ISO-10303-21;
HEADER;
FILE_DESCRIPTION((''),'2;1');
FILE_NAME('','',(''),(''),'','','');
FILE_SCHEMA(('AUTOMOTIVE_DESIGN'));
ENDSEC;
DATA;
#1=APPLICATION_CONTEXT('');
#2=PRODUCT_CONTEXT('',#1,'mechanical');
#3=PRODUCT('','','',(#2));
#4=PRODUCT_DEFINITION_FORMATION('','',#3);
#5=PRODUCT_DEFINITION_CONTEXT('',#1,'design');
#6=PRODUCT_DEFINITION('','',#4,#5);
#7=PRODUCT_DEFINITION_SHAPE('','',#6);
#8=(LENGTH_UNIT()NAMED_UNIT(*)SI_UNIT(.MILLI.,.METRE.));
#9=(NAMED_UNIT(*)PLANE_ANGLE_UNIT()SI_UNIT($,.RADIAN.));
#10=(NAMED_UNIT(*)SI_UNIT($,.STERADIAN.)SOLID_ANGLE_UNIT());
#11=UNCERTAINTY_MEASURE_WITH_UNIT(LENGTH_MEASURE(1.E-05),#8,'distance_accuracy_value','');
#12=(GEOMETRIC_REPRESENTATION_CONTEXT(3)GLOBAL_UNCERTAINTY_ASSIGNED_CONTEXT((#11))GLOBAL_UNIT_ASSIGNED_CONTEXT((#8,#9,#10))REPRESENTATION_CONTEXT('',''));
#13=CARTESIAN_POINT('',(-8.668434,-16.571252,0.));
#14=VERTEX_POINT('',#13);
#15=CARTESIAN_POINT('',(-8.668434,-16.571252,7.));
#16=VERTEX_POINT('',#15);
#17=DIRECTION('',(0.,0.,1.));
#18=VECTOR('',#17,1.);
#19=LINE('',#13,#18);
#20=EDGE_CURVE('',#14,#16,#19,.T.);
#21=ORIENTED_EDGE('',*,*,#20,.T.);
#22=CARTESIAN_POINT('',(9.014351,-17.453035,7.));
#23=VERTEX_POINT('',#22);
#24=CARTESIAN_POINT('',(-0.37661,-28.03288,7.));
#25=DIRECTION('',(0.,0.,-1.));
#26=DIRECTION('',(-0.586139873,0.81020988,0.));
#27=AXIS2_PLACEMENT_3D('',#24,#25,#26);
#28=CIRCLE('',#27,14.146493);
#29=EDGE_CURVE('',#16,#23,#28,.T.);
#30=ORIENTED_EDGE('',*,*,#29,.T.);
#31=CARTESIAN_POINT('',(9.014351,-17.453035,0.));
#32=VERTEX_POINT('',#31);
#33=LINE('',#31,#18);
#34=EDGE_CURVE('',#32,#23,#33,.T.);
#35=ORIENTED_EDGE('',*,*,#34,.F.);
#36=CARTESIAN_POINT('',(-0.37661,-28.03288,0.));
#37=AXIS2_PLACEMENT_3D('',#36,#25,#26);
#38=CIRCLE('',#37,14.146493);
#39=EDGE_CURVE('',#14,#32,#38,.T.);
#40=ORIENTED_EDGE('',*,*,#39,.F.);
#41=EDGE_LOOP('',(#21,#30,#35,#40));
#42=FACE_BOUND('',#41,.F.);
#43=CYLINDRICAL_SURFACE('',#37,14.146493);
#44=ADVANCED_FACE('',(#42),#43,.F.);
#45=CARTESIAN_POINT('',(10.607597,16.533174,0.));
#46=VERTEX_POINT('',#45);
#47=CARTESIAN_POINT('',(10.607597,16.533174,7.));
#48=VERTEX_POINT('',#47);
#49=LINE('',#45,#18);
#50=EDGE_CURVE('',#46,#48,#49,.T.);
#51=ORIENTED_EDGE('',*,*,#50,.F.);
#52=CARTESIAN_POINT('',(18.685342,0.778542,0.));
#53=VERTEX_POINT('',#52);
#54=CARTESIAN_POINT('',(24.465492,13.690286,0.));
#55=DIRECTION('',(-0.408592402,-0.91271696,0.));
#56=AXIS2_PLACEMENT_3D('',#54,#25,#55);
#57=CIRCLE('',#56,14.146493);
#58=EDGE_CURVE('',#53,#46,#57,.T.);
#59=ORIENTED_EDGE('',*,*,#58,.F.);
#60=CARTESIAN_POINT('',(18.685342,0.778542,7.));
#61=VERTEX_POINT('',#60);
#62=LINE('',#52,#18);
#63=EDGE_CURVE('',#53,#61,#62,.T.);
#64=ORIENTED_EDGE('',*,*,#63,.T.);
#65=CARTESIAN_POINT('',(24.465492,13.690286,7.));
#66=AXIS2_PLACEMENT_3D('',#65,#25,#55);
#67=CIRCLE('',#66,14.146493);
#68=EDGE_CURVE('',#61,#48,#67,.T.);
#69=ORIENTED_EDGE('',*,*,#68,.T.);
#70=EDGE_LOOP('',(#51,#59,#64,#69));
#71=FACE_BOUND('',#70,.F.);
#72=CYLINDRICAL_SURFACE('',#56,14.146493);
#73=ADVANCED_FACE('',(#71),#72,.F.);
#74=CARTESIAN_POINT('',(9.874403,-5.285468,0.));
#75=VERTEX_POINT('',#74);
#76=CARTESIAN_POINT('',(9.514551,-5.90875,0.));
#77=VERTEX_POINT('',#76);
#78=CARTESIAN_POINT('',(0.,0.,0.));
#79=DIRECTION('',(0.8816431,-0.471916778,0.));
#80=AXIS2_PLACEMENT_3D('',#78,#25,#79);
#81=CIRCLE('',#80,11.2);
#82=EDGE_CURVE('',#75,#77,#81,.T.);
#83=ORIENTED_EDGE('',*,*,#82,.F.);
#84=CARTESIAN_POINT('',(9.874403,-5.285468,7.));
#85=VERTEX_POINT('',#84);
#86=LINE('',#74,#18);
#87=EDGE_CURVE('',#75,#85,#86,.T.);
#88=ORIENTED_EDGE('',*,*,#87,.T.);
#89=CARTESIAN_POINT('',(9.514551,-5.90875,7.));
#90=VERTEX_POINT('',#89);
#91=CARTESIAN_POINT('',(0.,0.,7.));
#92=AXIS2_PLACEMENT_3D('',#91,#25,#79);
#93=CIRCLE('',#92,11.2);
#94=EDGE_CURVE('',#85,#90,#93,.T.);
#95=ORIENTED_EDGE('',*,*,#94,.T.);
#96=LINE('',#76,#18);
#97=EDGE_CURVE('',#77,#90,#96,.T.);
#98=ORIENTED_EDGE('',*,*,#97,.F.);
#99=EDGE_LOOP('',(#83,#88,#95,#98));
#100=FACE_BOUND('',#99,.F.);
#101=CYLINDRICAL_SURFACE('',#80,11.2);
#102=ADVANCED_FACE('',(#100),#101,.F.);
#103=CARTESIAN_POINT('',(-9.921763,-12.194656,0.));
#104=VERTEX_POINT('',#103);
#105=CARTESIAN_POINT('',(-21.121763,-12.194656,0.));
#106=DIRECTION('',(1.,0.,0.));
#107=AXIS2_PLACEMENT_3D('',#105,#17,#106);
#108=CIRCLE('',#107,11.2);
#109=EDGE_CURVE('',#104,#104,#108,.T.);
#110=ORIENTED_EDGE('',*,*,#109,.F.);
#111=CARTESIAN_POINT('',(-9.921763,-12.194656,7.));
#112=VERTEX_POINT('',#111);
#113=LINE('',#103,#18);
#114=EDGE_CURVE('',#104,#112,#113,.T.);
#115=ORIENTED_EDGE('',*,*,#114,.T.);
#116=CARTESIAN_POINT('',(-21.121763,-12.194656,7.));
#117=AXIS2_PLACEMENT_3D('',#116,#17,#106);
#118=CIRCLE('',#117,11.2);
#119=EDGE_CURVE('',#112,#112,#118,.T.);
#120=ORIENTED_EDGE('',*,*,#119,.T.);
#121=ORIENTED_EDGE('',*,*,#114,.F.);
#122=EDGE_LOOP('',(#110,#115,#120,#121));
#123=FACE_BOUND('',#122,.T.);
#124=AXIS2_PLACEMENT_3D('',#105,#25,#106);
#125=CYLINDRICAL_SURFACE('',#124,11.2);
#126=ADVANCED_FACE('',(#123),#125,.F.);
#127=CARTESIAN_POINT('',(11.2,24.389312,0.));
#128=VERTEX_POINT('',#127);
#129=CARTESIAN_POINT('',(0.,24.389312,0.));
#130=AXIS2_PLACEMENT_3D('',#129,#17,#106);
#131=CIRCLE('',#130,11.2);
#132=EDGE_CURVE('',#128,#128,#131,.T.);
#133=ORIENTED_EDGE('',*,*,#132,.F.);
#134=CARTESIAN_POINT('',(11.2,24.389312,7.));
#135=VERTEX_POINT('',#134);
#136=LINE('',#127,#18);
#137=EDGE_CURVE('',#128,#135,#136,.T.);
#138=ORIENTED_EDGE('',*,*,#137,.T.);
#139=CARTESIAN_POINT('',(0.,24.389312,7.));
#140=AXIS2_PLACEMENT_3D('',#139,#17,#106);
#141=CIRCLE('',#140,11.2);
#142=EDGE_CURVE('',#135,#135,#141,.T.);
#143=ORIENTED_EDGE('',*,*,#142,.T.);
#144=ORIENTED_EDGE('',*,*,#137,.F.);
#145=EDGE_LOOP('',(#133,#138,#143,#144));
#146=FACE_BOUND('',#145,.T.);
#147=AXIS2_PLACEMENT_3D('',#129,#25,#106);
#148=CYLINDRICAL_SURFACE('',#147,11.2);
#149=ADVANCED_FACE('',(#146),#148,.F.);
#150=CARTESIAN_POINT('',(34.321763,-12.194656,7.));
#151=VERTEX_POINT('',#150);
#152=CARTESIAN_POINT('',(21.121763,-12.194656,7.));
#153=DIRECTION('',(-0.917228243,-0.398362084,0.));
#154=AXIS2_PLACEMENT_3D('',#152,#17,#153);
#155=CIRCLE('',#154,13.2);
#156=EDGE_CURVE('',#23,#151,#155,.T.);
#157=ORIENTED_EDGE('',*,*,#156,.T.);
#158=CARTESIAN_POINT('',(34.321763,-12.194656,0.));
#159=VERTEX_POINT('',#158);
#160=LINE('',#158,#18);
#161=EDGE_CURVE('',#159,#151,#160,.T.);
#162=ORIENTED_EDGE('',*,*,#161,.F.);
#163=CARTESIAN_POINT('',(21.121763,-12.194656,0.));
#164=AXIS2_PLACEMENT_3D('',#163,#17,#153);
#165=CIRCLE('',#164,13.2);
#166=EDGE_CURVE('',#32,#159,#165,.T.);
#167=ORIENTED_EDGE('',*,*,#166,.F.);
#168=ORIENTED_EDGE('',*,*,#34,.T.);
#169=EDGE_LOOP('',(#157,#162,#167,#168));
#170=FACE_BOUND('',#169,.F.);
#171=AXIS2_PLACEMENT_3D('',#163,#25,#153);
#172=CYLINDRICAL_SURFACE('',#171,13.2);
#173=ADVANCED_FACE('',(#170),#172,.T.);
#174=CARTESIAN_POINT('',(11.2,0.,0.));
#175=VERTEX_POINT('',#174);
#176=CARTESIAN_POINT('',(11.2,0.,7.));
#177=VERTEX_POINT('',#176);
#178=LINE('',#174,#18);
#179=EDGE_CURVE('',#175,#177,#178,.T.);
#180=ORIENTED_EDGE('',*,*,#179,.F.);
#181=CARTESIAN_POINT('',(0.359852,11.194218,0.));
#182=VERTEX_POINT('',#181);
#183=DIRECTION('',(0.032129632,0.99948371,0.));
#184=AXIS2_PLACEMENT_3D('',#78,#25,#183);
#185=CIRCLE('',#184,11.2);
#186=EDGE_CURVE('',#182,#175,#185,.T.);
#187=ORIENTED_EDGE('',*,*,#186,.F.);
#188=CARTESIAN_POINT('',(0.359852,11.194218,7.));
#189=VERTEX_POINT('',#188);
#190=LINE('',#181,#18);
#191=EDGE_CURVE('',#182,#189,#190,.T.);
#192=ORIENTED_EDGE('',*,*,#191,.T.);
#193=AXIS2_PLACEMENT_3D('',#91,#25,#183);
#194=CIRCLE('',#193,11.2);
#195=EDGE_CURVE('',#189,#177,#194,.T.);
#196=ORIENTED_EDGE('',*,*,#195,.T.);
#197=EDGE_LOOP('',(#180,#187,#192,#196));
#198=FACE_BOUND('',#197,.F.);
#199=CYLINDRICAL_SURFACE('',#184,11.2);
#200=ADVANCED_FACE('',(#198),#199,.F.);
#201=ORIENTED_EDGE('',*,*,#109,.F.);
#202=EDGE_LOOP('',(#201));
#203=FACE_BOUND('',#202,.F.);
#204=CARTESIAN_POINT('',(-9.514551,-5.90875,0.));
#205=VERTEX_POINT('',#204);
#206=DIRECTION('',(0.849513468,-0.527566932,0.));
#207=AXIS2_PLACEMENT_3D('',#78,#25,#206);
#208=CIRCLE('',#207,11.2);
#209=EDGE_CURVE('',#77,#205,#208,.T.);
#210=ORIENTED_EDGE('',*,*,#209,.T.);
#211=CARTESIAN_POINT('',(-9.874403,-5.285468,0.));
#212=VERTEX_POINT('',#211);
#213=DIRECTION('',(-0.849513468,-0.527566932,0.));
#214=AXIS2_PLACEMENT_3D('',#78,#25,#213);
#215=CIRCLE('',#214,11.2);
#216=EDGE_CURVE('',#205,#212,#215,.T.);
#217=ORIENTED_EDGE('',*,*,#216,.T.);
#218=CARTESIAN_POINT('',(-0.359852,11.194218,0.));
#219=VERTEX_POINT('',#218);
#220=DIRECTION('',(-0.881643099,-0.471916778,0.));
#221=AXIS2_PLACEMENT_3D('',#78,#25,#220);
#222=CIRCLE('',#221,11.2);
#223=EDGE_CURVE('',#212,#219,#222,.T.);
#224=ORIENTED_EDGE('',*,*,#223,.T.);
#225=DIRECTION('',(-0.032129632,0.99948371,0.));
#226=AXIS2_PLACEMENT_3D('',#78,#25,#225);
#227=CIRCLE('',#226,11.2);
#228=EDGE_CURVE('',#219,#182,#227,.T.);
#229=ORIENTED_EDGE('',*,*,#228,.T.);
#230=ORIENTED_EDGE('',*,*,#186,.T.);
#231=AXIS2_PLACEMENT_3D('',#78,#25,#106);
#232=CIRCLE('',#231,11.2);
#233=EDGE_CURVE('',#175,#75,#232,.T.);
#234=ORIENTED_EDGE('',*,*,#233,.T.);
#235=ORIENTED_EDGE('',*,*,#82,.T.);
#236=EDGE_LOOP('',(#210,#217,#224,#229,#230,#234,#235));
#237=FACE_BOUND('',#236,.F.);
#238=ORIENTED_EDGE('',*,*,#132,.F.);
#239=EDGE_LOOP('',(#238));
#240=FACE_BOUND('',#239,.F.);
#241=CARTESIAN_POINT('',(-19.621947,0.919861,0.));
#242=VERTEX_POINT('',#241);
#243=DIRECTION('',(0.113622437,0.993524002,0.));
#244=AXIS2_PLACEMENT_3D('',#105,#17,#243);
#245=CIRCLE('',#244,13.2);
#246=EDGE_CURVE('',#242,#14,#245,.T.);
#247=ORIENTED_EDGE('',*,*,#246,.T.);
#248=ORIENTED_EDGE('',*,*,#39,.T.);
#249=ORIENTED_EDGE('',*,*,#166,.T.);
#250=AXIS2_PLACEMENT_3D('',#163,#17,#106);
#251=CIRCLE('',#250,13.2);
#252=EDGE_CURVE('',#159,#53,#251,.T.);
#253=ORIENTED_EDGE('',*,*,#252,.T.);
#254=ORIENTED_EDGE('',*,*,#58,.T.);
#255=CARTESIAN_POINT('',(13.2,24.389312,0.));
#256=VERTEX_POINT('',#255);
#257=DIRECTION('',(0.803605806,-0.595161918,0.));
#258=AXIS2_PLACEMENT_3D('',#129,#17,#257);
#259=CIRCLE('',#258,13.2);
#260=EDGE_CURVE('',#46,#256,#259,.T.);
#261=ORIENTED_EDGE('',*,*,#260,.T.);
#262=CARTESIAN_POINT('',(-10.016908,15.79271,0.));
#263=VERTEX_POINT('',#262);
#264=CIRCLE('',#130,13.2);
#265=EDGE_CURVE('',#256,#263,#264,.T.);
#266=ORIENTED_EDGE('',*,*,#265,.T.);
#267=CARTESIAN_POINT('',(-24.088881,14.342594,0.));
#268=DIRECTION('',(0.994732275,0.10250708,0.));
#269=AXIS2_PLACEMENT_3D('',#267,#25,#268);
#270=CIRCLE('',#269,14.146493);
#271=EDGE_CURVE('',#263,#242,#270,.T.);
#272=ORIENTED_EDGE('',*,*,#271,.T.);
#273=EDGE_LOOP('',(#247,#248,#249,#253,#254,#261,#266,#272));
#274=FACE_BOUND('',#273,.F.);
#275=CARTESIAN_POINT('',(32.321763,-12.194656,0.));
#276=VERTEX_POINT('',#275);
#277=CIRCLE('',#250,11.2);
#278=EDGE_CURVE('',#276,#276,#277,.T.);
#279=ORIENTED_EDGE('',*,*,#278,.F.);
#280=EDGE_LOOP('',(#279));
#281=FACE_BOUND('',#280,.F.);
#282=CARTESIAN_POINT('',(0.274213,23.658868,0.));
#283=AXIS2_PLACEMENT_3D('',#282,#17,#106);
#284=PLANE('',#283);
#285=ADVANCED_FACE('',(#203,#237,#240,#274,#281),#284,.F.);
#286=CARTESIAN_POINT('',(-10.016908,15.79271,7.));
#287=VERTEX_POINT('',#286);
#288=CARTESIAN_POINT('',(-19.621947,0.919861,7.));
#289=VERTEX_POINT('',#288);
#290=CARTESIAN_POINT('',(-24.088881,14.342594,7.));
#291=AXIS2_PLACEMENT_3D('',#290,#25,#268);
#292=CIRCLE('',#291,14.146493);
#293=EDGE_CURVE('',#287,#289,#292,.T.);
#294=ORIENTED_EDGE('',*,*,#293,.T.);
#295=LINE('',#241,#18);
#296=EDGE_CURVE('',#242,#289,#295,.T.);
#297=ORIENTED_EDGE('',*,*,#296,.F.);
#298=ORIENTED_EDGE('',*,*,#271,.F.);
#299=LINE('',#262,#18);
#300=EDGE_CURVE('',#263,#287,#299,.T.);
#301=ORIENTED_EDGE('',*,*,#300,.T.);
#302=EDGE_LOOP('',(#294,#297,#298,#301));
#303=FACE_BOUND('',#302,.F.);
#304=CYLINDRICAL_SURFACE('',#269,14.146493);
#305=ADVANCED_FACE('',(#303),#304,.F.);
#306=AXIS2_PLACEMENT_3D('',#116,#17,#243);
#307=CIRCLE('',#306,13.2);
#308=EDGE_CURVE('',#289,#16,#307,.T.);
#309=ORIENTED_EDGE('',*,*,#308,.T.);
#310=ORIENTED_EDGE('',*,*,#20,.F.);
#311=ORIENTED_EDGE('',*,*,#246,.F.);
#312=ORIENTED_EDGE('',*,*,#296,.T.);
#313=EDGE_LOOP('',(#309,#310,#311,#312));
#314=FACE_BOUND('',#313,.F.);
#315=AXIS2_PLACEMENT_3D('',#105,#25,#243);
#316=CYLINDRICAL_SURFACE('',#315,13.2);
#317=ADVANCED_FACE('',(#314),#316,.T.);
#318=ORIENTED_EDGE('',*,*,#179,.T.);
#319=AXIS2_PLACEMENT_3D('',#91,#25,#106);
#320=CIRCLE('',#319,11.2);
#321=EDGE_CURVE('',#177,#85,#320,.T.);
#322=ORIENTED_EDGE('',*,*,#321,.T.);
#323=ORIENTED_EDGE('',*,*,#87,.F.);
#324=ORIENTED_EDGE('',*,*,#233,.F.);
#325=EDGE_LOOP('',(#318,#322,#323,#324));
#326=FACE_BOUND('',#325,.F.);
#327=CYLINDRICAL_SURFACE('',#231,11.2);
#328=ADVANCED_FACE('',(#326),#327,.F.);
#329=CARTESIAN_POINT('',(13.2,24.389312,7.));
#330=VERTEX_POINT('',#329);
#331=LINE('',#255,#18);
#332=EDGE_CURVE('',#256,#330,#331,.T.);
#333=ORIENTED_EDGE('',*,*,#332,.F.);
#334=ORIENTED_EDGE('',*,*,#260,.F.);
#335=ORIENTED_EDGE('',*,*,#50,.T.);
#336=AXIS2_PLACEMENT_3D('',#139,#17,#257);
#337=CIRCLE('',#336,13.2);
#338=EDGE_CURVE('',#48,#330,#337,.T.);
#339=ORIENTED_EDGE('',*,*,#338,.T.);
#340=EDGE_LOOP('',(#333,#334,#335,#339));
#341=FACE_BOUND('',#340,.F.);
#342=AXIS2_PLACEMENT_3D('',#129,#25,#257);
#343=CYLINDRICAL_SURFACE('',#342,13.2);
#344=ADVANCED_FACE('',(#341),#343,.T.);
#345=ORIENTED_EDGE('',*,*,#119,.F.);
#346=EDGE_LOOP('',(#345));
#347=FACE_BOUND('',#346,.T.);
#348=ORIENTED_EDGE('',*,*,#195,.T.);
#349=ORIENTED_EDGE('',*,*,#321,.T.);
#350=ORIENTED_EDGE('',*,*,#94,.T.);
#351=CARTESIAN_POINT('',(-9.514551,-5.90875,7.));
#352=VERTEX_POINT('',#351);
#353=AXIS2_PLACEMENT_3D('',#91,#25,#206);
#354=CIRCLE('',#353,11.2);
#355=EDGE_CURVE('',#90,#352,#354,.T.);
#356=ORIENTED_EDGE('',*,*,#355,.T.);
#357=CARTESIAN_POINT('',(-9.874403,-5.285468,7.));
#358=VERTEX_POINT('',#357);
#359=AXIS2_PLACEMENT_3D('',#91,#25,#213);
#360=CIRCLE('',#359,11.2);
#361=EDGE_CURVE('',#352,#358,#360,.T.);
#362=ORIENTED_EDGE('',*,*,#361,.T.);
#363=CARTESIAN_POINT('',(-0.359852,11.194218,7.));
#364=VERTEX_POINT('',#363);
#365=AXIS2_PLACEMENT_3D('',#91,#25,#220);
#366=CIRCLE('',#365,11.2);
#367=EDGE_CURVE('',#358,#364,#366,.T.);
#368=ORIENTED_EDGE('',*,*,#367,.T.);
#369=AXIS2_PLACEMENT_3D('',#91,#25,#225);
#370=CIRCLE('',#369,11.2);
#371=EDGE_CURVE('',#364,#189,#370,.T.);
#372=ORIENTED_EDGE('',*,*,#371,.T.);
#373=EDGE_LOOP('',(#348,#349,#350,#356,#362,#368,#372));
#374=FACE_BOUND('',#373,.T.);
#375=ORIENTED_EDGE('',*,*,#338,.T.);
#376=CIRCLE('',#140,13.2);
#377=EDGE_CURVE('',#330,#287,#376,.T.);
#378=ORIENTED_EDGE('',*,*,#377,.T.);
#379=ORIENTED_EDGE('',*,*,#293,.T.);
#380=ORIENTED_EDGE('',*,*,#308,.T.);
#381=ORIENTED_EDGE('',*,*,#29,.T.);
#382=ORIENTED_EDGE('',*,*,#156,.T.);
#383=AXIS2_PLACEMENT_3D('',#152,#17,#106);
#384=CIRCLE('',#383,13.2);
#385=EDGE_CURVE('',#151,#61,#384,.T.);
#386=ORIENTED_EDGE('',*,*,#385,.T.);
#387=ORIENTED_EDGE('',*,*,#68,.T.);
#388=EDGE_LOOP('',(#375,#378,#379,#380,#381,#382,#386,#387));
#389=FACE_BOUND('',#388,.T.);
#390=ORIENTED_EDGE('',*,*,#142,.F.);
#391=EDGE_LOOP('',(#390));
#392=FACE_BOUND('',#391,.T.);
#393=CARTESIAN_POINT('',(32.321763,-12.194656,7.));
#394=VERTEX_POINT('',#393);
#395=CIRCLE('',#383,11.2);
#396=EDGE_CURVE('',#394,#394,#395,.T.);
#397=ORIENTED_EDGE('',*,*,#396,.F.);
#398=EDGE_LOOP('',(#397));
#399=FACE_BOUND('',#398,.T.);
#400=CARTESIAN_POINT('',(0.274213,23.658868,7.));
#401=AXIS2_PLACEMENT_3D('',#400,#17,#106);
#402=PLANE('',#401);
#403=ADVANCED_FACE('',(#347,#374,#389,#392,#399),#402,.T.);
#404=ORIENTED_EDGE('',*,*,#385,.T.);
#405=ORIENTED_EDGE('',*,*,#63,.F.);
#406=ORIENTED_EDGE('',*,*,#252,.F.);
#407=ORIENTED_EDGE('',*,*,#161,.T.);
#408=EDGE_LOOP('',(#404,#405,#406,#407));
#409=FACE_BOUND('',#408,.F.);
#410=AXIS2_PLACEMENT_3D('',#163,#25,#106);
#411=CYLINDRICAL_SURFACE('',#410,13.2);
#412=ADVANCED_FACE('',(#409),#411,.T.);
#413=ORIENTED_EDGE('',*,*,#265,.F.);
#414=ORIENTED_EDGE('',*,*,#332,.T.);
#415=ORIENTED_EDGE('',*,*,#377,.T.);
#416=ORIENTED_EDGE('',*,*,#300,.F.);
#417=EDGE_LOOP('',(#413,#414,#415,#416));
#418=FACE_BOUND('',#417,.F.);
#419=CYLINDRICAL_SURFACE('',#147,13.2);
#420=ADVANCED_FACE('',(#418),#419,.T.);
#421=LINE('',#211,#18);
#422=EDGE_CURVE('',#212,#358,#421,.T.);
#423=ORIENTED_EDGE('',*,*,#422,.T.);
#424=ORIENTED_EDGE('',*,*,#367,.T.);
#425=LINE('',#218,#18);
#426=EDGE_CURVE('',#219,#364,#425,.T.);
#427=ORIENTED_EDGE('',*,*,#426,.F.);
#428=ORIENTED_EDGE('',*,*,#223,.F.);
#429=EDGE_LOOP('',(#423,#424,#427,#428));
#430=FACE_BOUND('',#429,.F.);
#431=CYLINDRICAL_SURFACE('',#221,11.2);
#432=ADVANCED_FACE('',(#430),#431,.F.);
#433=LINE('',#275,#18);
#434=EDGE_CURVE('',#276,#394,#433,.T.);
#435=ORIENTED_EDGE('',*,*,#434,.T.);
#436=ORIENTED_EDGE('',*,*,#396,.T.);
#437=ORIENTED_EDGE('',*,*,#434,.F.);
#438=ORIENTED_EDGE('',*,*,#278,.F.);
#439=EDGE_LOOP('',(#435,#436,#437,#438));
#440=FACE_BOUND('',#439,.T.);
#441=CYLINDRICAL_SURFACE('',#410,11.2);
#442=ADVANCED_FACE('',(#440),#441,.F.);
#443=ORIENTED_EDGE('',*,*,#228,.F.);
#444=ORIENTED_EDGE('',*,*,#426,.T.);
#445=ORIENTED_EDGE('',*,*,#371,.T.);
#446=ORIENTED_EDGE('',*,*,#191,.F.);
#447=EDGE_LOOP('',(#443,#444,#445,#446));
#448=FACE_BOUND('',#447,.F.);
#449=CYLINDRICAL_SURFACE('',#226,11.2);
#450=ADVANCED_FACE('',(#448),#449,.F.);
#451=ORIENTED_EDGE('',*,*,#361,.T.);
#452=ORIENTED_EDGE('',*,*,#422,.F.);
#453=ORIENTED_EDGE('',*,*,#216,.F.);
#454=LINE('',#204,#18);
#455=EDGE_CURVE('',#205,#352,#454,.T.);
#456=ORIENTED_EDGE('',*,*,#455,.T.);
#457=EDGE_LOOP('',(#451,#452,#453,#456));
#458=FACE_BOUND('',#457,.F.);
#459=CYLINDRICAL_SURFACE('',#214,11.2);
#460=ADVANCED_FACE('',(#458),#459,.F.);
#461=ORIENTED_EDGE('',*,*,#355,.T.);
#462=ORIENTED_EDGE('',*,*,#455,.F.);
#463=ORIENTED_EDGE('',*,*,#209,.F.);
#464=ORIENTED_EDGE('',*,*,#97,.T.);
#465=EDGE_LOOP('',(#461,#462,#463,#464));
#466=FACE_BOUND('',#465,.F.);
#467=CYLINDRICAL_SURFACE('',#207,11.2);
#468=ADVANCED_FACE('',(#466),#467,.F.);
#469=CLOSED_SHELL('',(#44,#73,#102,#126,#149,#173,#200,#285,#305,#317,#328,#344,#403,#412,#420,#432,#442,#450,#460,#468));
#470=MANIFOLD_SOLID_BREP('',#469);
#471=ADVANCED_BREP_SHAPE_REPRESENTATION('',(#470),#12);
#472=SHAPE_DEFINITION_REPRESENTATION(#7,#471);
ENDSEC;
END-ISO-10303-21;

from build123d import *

# Parameters (mm, degrees)
F0_R     = 11.2
F1_DEPTH = 7


with BuildPart() as f1:
    # F0 (on Top) → F1 (new body)
    with BuildSketch(Plane.XY):
        with BuildLine():
            ThreePointArc((-0.3598518741, 11.1942175532), (0, 11.2), (0.3598518741, 11.1942175532))
            ThreePointArc((0.3598518741, 11.1942175532), (6.0989627362, 12.6827897516), (10.6075966415, 16.5331742759))
            ThreePointArc((10.6075966415, 16.5331742759), (12.5351560754, 20.2529046746), (13.2, 24.3893115896))
            ThreePointArc((13.2, 24.3893115896), (-4.5834929689, 36.7679864865), (-10.0169079098, 15.7927101723))
            ThreePointArc((-10.0169079098, 15.7927101723), (-5.6750171361, 12.4715022059), (-0.3598518741, 11.1942175532))
        make_face()
        with Locations((0, 24.3893115896)):
            Circle(F0_R, mode=Mode.SUBTRACT)
        with BuildLine():
            ThreePointArc((18.6853421587, 0.7785416311), (13.6381463018, -1.3210420962), (9.8744027136, -5.285467912))
            ThreePointArc((9.8744027136, -5.285467912), (9.6994845224, -5.6), (9.5145508395, -5.9087496412))
            ThreePointArc((9.5145508395, -5.9087496412), (7.9341367477, -11.6232515421), (9.0143506074, -17.4530353026))
            ThreePointArc((9.0143506074, -17.4530353026), (23.8071079863, -25.1186228539), (34.3217634174, -12.1946557948))
            ThreePointArc((34.3217634174, -12.1946557948), (29.5502638589, -2.0358969972), (18.6853421587, 0.7785416311))
        make_face()
        with Locations((21.1217634174, -12.1946557948)):
            Circle(F0_R, mode=Mode.SUBTRACT)
        with BuildLine():
            ThreePointArc((-9.5145508395, -5.9087496412), (-9.6994845224, -5.6), (-9.8744027136, -5.285467912))
            ThreePointArc((-9.8744027136, -5.285467912), (-14.0330994839, -1.0595382095), (-19.6219472489, 0.9198610267))
            ThreePointArc((-19.6219472489, 0.9198610267), (-32.3091368002, -19.200558791), (-8.668434249, -16.5712518034))
            ThreePointArc((-8.668434249, -16.5712518034), (-8.109770007, -14.4145718942), (-7.9217634174, -12.1946557948))
            ThreePointArc((-7.9217634174, -12.1946557948), (-8.3261546779, -8.9523731134), (-9.5145508395, -5.9087496412))
        make_face()
        with Locations((-21.1217634174, -12.1946557948)):
            Circle(F0_R, mode=Mode.SUBTRACT)
        with BuildLine():
            ThreePointArc((-9.8744027136, -5.285467912), (-9.6994845224, 5.6), (-0.3598518741, 11.1942175532))
            ThreePointArc((-0.3598518741, 11.1942175532), (-5.6750171361, 12.4715022059), (-10.0169079098, 15.7927101723))
            ThreePointArc((-10.0169079098, 15.7927101723), (-12.2051452607, 6.6679551211), (-19.6219472489, 0.9198610267))
            ThreePointArc((-19.6219472489, 0.9198610267), (-14.0330994839, -1.0595382095), (-9.8744027136, -5.285467912))
        make_face()
        with BuildLine():
            ThreePointArc((0.3598518741, 11.1942175532), (8.0458169564, 7.7913304066), (11.2, 0))
            ThreePointArc((11.2, 0), (10.8635470817, -2.7245815832), (9.8744027136, -5.285467912))
            ThreePointArc((9.8744027136, -5.285467912), (13.6381463018, -1.3210420962), (18.6853421587, 0.7785416311))
            ThreePointArc((18.6853421587, 0.7785416311), (11.8771911565, 7.2359882921), (10.6075966415, 16.5331742759))
            ThreePointArc((10.6075966415, 16.5331742759), (6.0989627362, 12.6827897516), (0.3598518741, 11.1942175532))
        make_face()
        with BuildLine():
            ThreePointArc((9.0143506074, -17.4530353026), (7.9341367477, -11.6232515421), (9.5145508395, -5.9087496412))
            ThreePointArc((9.5145508395, -5.9087496412), (0, -11.2), (-9.5145508395, -5.9087496412))
            ThreePointArc((-9.5145508395, -5.9087496412), (-8.3261546779, -8.9523731134), (-7.9217634174, -12.1946557948))
            ThreePointArc((-7.9217634174, -12.1946557948), (-8.109770007, -14.4145718942), (-8.668434249, -16.5712518034))
            ThreePointArc((-8.668434249, -16.5712518034), (0.3279541042, -13.9039434132), (9.0143506074, -17.4530353026))
        make_face()
    extrude(amount=F1_DEPTH)


solid = f1.part
